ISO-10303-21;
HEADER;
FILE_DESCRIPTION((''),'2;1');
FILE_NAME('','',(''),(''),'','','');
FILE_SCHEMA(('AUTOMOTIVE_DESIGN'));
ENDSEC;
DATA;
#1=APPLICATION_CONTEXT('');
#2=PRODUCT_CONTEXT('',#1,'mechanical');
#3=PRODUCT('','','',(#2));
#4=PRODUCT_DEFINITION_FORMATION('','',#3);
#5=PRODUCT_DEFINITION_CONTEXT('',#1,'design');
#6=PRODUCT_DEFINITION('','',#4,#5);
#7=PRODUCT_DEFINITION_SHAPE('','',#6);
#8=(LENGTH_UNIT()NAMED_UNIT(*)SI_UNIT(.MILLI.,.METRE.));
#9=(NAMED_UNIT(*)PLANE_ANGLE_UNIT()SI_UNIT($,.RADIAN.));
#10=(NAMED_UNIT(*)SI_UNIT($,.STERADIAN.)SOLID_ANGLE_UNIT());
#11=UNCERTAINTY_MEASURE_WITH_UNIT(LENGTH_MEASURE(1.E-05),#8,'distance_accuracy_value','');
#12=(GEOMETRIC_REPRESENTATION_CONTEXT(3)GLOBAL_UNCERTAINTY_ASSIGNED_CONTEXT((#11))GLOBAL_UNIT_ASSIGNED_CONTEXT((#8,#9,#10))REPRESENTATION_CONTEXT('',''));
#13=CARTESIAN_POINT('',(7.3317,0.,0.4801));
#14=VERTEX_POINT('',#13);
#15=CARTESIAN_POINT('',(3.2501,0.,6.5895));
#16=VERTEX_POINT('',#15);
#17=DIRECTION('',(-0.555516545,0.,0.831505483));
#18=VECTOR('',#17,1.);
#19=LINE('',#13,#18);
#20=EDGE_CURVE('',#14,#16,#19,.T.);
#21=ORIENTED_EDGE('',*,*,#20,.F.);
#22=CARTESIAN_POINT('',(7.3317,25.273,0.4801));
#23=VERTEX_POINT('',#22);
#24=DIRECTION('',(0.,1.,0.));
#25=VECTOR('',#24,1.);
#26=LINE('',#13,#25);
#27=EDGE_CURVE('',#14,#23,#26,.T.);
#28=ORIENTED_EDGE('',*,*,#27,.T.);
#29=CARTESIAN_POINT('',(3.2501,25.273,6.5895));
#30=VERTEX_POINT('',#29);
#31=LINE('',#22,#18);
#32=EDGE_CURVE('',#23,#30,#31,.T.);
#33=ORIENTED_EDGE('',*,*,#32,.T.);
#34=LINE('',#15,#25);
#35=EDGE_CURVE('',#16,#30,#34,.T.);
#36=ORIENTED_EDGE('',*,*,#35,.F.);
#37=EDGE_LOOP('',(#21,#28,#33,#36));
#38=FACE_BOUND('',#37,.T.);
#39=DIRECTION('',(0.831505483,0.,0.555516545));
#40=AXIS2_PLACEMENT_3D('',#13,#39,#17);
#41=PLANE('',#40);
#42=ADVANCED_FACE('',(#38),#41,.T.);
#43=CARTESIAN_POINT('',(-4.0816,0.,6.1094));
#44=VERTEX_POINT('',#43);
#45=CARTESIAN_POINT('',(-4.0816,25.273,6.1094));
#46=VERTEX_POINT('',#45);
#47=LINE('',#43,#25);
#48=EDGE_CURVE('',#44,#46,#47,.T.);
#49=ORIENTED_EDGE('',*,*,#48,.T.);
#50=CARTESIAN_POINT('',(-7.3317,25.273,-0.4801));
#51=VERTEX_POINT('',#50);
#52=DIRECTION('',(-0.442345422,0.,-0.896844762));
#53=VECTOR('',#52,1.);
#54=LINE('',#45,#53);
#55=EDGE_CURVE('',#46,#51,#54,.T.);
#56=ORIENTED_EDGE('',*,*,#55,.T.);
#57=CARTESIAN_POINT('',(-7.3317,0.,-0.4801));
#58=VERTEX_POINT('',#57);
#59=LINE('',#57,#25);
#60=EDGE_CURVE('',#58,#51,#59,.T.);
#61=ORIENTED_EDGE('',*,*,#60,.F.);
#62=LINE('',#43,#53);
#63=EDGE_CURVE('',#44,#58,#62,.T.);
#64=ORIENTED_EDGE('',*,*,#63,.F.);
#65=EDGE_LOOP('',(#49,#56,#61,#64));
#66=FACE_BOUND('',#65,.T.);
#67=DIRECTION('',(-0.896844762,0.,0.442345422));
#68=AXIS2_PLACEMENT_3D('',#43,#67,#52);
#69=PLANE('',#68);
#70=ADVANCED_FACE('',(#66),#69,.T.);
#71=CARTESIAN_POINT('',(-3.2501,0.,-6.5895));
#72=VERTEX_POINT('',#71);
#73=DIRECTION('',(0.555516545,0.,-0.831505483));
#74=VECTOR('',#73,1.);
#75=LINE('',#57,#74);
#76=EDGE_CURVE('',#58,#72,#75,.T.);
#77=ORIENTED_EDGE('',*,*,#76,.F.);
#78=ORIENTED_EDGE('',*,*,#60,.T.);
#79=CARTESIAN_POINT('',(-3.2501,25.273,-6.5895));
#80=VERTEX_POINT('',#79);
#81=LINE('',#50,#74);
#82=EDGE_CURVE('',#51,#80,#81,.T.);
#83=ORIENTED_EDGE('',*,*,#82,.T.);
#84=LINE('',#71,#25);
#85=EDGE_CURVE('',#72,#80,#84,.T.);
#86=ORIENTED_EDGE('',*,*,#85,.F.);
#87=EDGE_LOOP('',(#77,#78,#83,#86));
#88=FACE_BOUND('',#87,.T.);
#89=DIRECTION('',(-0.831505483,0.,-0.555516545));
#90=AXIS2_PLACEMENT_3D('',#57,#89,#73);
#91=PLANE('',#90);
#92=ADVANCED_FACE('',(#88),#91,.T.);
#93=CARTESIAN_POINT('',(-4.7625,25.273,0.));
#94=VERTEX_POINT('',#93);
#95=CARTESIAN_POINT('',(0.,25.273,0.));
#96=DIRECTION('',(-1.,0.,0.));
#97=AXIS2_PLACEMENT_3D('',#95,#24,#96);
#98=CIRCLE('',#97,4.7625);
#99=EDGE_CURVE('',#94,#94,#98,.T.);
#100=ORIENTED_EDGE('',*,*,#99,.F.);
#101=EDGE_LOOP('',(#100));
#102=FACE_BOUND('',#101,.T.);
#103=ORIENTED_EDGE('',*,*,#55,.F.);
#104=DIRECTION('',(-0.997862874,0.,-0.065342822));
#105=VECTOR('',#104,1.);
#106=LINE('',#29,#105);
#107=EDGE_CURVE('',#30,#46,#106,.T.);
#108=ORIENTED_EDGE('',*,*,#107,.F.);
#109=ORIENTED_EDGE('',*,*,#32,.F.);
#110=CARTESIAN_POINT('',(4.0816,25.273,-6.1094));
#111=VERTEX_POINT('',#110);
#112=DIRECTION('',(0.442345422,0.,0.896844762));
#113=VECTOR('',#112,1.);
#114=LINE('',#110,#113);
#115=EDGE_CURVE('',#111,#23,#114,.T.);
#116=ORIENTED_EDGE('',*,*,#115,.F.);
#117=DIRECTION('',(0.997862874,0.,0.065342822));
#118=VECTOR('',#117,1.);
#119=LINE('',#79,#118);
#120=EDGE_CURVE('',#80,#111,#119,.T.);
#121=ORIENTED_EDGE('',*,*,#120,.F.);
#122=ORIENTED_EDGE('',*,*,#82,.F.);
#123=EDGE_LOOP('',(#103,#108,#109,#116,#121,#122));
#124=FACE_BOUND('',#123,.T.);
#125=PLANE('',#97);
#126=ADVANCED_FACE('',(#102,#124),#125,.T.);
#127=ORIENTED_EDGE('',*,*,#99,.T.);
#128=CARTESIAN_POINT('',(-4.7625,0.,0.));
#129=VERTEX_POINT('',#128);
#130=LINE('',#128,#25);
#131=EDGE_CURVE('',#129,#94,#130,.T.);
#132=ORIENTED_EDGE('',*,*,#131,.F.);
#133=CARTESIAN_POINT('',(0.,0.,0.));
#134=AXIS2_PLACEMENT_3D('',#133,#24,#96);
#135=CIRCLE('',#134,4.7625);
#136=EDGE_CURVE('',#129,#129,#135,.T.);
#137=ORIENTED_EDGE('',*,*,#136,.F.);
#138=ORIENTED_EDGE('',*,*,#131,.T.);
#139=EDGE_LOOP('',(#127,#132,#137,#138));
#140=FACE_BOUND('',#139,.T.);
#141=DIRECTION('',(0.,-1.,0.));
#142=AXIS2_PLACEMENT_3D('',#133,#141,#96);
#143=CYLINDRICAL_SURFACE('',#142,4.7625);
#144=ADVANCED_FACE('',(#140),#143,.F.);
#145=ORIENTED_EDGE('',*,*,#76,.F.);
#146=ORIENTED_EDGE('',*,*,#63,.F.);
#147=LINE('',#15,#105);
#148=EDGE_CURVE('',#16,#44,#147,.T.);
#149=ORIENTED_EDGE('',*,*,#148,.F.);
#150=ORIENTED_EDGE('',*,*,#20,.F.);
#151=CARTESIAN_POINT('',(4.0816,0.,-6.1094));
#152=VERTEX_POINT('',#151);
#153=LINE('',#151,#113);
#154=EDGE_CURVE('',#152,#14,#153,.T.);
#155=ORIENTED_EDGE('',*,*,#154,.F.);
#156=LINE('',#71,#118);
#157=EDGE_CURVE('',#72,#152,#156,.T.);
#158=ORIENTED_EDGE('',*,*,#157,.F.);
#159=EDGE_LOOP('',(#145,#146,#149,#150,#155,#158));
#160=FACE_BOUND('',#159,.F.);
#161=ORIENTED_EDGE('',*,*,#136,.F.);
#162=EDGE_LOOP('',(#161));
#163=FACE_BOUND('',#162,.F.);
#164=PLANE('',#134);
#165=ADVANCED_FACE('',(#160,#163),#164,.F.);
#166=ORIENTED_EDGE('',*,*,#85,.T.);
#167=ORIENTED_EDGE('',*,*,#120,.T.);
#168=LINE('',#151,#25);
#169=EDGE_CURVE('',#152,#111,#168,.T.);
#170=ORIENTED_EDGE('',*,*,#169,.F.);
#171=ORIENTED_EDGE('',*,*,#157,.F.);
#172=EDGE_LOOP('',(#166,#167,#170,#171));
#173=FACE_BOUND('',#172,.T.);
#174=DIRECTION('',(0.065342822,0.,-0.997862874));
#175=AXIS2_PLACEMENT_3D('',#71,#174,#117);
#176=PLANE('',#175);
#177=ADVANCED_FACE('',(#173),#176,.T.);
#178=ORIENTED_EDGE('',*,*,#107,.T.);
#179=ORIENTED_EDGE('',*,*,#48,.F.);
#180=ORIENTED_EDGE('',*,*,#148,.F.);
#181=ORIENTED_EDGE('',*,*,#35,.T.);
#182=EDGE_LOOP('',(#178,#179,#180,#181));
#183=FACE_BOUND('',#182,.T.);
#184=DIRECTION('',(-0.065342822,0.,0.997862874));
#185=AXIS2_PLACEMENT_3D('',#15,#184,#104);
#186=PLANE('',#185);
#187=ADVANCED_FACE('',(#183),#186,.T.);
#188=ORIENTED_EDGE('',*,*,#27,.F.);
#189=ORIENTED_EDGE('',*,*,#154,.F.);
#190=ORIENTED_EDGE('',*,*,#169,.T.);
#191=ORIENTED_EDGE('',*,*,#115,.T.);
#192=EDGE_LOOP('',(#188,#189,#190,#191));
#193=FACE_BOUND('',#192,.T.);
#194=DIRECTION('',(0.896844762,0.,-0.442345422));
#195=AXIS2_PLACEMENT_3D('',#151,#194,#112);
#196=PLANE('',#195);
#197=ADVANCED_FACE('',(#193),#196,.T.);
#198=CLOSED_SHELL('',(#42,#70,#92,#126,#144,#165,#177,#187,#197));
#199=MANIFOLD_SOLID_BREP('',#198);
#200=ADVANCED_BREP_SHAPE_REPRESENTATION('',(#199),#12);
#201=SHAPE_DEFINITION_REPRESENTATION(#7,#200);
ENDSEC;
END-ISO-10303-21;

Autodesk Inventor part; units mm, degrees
ref_plane "YZ Plane" through (0, 0, 0) normal (1, 0, 0) x (0, 1, 0)
ref_plane "XZ Plane" through (0, 0, 0) normal (0, 1, 0) x (-1, 0, 0)
ref_plane "XY Plane" through (0, 0, 0) normal (0, 0, 1) x (1, 0, 0)
sketch "Sketch1" plane through (0, 0, 0) normal (0, 1, 0) x (-1, 0, 0)
  line L0 (-4.0816, -6.1094) -> (-7.3317, 0.4801)
  line L1 (-7.3317, 0.4801) -> (-3.2501, 6.5895)
  line L2 (-3.2501, 6.5895) -> (4.0816, 6.1094)
  line L3 (4.0816, 6.1094) -> (7.3317, -0.4801)
  line L4 (7.3317, -0.4801) -> (3.2501, -6.5895)
  line L5 (3.2501, -6.5895) -> (-4.0816, -6.1094)
  circle A0 centre (0, 0) radius 4.7625
  dimension "d3" = 9.525
extrude "Extrusion2" add sketch "Sketch1" along normal blind 25.273
properties part number "Arm Hex"
